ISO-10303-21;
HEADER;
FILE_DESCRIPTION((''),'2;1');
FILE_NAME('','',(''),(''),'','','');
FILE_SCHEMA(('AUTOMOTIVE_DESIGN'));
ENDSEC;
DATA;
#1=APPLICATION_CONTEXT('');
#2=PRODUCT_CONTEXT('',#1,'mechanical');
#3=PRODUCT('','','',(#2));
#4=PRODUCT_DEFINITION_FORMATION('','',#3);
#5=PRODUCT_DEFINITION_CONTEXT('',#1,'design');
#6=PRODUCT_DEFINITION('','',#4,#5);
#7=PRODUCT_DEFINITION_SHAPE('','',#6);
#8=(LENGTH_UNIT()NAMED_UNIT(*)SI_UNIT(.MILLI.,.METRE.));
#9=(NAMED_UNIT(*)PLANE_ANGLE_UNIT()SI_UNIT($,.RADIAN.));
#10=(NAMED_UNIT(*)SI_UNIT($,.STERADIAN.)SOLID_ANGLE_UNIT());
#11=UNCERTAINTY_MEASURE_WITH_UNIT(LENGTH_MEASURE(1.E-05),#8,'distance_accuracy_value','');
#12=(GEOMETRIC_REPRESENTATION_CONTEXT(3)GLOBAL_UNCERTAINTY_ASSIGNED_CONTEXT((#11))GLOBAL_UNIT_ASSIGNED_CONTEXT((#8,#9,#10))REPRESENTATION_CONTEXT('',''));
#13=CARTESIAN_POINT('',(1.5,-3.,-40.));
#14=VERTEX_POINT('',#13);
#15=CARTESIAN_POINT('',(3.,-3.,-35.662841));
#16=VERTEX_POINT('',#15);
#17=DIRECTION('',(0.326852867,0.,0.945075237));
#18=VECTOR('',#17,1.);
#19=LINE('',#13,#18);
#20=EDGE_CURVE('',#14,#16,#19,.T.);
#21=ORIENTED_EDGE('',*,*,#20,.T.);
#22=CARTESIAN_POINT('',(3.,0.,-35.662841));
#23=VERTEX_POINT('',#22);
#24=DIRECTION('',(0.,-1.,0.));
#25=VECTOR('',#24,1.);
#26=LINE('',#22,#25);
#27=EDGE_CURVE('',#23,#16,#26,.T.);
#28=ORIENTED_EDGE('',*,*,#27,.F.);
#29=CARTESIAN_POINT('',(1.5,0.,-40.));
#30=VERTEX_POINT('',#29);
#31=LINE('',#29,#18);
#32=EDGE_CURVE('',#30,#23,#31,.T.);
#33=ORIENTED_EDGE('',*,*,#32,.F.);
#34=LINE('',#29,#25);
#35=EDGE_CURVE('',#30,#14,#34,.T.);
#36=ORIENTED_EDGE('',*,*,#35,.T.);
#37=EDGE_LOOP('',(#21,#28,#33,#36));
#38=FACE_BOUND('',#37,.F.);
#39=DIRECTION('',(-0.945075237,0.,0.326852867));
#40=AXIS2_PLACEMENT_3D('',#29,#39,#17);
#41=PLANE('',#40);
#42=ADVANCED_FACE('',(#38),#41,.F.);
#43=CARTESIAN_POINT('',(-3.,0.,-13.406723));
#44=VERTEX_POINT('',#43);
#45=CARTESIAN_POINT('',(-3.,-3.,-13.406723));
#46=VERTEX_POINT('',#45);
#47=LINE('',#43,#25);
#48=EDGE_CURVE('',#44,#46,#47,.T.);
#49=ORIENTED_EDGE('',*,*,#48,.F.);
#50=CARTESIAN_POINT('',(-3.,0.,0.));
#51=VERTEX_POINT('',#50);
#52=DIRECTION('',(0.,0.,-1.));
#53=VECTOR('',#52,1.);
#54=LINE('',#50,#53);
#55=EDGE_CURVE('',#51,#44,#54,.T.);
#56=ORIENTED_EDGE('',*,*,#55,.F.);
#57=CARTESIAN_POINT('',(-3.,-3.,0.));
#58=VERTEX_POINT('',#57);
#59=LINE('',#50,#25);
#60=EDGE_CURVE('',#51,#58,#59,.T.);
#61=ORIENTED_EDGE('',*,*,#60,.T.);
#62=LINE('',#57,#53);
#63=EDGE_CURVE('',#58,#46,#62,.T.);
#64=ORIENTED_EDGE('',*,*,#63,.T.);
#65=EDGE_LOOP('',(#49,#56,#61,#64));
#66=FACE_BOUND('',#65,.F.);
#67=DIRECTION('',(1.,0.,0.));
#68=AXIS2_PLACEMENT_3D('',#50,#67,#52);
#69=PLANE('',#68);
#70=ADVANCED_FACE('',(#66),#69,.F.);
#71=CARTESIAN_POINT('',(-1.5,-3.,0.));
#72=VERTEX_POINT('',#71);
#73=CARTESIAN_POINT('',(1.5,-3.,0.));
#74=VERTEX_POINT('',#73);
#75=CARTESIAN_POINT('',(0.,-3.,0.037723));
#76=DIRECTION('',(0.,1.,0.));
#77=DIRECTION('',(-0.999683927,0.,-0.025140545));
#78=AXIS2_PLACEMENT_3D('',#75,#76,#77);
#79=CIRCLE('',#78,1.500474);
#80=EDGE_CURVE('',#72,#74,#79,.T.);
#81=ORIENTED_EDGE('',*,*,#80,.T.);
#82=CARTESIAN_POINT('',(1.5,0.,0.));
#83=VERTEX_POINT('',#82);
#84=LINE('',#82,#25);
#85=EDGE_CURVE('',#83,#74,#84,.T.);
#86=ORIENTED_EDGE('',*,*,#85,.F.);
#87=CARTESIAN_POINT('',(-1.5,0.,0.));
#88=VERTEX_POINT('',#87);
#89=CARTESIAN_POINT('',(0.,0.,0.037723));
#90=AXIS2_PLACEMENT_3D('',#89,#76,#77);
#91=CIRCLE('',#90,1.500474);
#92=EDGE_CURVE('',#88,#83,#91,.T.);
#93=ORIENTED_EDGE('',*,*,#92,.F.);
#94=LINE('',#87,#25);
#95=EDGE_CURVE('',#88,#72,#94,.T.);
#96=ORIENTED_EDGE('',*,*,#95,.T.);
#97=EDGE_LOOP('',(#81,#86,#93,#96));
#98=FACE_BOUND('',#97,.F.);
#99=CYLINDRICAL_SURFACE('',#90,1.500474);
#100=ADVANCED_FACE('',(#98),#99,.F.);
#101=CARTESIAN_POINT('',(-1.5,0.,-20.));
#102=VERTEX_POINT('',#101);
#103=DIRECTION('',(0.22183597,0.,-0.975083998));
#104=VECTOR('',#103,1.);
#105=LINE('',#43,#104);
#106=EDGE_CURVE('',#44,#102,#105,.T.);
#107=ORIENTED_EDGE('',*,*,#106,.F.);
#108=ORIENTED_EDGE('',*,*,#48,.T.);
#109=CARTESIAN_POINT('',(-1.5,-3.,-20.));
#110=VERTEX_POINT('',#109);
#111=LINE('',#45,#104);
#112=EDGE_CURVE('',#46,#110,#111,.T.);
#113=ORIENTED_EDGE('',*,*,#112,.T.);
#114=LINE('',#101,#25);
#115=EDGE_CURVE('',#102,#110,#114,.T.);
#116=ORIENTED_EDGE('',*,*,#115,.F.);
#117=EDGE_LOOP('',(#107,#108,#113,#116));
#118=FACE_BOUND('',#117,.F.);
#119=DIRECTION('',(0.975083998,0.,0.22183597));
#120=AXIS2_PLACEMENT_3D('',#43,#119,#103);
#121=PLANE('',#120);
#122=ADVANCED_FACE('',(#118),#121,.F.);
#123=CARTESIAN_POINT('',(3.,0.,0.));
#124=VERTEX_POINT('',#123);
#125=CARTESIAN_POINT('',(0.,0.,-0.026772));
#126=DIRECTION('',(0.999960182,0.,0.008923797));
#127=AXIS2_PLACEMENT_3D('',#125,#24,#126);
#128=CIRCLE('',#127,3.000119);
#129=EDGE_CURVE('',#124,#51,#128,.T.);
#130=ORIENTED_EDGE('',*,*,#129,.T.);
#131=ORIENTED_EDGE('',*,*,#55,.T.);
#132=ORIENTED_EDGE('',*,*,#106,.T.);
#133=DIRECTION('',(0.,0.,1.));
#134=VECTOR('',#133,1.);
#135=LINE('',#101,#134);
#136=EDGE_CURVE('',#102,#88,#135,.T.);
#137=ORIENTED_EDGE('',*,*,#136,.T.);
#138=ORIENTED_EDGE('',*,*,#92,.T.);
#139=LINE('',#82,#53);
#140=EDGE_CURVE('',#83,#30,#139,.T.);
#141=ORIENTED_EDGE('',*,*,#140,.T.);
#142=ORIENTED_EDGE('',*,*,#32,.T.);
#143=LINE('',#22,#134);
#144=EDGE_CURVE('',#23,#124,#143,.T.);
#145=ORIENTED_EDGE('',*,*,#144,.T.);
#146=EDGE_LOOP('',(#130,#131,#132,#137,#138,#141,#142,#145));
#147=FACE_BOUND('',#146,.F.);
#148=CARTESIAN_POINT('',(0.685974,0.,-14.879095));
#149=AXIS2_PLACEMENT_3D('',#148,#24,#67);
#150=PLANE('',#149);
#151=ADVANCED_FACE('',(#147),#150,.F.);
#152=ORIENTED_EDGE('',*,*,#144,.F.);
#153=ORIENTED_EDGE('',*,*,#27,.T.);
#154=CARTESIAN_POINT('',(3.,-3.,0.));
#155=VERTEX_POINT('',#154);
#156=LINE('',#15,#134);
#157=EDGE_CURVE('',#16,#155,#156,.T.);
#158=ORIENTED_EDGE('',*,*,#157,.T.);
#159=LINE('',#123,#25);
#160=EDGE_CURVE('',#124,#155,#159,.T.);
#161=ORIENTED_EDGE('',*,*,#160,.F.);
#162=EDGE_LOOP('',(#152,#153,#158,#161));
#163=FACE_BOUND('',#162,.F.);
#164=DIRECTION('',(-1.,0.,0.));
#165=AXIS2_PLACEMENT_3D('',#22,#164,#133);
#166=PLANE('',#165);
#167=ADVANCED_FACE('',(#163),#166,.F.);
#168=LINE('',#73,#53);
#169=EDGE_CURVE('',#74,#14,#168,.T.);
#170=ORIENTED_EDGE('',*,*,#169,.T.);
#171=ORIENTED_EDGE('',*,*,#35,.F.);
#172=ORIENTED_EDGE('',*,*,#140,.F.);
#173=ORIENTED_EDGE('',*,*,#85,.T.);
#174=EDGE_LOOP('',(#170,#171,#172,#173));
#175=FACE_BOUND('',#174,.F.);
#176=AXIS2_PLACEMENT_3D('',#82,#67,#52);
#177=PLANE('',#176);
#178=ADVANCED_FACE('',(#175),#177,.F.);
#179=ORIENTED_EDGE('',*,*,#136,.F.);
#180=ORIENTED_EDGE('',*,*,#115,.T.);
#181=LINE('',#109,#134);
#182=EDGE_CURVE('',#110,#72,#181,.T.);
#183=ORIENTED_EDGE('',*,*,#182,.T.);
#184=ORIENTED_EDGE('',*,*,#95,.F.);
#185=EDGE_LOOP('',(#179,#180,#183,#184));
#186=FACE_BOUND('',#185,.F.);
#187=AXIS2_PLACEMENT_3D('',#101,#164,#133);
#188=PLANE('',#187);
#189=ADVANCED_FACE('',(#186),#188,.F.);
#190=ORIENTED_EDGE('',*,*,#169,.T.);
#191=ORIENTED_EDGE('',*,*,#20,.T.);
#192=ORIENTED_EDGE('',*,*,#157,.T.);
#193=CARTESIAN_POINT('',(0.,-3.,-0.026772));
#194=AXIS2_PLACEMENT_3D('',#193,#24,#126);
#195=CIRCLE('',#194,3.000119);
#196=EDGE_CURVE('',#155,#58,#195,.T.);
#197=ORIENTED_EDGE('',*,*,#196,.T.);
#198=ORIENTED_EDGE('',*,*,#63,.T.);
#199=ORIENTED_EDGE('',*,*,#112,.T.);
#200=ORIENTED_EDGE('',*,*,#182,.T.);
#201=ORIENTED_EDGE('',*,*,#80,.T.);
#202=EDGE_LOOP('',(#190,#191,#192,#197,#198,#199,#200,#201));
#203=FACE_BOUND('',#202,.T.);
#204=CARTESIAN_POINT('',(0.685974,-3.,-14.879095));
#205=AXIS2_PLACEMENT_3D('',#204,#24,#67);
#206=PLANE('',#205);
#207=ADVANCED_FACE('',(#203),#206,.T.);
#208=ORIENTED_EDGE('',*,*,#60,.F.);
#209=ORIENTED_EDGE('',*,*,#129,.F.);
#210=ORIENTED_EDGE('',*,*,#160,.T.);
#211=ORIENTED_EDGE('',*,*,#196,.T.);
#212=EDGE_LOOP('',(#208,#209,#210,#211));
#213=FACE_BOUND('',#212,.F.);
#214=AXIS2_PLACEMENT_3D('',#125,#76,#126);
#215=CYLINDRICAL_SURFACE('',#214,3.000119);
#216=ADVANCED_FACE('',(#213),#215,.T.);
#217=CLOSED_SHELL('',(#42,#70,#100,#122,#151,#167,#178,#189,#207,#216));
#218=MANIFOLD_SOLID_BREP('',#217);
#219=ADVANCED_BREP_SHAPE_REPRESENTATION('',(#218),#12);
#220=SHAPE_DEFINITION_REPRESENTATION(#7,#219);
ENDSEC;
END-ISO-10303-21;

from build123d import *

# Parameters (mm, degrees)
F1_DEPTH = 3


with BuildPart() as f1:
    # F0 (on Front) → F1 (new body)
    with BuildSketch(Plane.XZ):
        with BuildLine():
            Line((1.5, 0), (1.5, -40))
            Line((1.5, -40), (3, -35.662841))
            Line((3, -35.662841), (3, -0.053545))
            Line((3, -0.053545), (3, 0))
            ThreePointArc((3, 0), (0, 2.973347), (-3, 0))
            Line((-3, 0), (-3, -0.053545))
            Line((-3, -0.053545), (-3, -13.406723))
            Line((-3, -13.406723), (-1.5, -20))
            Line((-1.5, -20), (-1.5, 0))
            ThreePointArc((-1.5, 0), (0, 1.538197), (1.5, 0))
        make_face()
    extrude(amount=F1_DEPTH)


solid = f1.part
